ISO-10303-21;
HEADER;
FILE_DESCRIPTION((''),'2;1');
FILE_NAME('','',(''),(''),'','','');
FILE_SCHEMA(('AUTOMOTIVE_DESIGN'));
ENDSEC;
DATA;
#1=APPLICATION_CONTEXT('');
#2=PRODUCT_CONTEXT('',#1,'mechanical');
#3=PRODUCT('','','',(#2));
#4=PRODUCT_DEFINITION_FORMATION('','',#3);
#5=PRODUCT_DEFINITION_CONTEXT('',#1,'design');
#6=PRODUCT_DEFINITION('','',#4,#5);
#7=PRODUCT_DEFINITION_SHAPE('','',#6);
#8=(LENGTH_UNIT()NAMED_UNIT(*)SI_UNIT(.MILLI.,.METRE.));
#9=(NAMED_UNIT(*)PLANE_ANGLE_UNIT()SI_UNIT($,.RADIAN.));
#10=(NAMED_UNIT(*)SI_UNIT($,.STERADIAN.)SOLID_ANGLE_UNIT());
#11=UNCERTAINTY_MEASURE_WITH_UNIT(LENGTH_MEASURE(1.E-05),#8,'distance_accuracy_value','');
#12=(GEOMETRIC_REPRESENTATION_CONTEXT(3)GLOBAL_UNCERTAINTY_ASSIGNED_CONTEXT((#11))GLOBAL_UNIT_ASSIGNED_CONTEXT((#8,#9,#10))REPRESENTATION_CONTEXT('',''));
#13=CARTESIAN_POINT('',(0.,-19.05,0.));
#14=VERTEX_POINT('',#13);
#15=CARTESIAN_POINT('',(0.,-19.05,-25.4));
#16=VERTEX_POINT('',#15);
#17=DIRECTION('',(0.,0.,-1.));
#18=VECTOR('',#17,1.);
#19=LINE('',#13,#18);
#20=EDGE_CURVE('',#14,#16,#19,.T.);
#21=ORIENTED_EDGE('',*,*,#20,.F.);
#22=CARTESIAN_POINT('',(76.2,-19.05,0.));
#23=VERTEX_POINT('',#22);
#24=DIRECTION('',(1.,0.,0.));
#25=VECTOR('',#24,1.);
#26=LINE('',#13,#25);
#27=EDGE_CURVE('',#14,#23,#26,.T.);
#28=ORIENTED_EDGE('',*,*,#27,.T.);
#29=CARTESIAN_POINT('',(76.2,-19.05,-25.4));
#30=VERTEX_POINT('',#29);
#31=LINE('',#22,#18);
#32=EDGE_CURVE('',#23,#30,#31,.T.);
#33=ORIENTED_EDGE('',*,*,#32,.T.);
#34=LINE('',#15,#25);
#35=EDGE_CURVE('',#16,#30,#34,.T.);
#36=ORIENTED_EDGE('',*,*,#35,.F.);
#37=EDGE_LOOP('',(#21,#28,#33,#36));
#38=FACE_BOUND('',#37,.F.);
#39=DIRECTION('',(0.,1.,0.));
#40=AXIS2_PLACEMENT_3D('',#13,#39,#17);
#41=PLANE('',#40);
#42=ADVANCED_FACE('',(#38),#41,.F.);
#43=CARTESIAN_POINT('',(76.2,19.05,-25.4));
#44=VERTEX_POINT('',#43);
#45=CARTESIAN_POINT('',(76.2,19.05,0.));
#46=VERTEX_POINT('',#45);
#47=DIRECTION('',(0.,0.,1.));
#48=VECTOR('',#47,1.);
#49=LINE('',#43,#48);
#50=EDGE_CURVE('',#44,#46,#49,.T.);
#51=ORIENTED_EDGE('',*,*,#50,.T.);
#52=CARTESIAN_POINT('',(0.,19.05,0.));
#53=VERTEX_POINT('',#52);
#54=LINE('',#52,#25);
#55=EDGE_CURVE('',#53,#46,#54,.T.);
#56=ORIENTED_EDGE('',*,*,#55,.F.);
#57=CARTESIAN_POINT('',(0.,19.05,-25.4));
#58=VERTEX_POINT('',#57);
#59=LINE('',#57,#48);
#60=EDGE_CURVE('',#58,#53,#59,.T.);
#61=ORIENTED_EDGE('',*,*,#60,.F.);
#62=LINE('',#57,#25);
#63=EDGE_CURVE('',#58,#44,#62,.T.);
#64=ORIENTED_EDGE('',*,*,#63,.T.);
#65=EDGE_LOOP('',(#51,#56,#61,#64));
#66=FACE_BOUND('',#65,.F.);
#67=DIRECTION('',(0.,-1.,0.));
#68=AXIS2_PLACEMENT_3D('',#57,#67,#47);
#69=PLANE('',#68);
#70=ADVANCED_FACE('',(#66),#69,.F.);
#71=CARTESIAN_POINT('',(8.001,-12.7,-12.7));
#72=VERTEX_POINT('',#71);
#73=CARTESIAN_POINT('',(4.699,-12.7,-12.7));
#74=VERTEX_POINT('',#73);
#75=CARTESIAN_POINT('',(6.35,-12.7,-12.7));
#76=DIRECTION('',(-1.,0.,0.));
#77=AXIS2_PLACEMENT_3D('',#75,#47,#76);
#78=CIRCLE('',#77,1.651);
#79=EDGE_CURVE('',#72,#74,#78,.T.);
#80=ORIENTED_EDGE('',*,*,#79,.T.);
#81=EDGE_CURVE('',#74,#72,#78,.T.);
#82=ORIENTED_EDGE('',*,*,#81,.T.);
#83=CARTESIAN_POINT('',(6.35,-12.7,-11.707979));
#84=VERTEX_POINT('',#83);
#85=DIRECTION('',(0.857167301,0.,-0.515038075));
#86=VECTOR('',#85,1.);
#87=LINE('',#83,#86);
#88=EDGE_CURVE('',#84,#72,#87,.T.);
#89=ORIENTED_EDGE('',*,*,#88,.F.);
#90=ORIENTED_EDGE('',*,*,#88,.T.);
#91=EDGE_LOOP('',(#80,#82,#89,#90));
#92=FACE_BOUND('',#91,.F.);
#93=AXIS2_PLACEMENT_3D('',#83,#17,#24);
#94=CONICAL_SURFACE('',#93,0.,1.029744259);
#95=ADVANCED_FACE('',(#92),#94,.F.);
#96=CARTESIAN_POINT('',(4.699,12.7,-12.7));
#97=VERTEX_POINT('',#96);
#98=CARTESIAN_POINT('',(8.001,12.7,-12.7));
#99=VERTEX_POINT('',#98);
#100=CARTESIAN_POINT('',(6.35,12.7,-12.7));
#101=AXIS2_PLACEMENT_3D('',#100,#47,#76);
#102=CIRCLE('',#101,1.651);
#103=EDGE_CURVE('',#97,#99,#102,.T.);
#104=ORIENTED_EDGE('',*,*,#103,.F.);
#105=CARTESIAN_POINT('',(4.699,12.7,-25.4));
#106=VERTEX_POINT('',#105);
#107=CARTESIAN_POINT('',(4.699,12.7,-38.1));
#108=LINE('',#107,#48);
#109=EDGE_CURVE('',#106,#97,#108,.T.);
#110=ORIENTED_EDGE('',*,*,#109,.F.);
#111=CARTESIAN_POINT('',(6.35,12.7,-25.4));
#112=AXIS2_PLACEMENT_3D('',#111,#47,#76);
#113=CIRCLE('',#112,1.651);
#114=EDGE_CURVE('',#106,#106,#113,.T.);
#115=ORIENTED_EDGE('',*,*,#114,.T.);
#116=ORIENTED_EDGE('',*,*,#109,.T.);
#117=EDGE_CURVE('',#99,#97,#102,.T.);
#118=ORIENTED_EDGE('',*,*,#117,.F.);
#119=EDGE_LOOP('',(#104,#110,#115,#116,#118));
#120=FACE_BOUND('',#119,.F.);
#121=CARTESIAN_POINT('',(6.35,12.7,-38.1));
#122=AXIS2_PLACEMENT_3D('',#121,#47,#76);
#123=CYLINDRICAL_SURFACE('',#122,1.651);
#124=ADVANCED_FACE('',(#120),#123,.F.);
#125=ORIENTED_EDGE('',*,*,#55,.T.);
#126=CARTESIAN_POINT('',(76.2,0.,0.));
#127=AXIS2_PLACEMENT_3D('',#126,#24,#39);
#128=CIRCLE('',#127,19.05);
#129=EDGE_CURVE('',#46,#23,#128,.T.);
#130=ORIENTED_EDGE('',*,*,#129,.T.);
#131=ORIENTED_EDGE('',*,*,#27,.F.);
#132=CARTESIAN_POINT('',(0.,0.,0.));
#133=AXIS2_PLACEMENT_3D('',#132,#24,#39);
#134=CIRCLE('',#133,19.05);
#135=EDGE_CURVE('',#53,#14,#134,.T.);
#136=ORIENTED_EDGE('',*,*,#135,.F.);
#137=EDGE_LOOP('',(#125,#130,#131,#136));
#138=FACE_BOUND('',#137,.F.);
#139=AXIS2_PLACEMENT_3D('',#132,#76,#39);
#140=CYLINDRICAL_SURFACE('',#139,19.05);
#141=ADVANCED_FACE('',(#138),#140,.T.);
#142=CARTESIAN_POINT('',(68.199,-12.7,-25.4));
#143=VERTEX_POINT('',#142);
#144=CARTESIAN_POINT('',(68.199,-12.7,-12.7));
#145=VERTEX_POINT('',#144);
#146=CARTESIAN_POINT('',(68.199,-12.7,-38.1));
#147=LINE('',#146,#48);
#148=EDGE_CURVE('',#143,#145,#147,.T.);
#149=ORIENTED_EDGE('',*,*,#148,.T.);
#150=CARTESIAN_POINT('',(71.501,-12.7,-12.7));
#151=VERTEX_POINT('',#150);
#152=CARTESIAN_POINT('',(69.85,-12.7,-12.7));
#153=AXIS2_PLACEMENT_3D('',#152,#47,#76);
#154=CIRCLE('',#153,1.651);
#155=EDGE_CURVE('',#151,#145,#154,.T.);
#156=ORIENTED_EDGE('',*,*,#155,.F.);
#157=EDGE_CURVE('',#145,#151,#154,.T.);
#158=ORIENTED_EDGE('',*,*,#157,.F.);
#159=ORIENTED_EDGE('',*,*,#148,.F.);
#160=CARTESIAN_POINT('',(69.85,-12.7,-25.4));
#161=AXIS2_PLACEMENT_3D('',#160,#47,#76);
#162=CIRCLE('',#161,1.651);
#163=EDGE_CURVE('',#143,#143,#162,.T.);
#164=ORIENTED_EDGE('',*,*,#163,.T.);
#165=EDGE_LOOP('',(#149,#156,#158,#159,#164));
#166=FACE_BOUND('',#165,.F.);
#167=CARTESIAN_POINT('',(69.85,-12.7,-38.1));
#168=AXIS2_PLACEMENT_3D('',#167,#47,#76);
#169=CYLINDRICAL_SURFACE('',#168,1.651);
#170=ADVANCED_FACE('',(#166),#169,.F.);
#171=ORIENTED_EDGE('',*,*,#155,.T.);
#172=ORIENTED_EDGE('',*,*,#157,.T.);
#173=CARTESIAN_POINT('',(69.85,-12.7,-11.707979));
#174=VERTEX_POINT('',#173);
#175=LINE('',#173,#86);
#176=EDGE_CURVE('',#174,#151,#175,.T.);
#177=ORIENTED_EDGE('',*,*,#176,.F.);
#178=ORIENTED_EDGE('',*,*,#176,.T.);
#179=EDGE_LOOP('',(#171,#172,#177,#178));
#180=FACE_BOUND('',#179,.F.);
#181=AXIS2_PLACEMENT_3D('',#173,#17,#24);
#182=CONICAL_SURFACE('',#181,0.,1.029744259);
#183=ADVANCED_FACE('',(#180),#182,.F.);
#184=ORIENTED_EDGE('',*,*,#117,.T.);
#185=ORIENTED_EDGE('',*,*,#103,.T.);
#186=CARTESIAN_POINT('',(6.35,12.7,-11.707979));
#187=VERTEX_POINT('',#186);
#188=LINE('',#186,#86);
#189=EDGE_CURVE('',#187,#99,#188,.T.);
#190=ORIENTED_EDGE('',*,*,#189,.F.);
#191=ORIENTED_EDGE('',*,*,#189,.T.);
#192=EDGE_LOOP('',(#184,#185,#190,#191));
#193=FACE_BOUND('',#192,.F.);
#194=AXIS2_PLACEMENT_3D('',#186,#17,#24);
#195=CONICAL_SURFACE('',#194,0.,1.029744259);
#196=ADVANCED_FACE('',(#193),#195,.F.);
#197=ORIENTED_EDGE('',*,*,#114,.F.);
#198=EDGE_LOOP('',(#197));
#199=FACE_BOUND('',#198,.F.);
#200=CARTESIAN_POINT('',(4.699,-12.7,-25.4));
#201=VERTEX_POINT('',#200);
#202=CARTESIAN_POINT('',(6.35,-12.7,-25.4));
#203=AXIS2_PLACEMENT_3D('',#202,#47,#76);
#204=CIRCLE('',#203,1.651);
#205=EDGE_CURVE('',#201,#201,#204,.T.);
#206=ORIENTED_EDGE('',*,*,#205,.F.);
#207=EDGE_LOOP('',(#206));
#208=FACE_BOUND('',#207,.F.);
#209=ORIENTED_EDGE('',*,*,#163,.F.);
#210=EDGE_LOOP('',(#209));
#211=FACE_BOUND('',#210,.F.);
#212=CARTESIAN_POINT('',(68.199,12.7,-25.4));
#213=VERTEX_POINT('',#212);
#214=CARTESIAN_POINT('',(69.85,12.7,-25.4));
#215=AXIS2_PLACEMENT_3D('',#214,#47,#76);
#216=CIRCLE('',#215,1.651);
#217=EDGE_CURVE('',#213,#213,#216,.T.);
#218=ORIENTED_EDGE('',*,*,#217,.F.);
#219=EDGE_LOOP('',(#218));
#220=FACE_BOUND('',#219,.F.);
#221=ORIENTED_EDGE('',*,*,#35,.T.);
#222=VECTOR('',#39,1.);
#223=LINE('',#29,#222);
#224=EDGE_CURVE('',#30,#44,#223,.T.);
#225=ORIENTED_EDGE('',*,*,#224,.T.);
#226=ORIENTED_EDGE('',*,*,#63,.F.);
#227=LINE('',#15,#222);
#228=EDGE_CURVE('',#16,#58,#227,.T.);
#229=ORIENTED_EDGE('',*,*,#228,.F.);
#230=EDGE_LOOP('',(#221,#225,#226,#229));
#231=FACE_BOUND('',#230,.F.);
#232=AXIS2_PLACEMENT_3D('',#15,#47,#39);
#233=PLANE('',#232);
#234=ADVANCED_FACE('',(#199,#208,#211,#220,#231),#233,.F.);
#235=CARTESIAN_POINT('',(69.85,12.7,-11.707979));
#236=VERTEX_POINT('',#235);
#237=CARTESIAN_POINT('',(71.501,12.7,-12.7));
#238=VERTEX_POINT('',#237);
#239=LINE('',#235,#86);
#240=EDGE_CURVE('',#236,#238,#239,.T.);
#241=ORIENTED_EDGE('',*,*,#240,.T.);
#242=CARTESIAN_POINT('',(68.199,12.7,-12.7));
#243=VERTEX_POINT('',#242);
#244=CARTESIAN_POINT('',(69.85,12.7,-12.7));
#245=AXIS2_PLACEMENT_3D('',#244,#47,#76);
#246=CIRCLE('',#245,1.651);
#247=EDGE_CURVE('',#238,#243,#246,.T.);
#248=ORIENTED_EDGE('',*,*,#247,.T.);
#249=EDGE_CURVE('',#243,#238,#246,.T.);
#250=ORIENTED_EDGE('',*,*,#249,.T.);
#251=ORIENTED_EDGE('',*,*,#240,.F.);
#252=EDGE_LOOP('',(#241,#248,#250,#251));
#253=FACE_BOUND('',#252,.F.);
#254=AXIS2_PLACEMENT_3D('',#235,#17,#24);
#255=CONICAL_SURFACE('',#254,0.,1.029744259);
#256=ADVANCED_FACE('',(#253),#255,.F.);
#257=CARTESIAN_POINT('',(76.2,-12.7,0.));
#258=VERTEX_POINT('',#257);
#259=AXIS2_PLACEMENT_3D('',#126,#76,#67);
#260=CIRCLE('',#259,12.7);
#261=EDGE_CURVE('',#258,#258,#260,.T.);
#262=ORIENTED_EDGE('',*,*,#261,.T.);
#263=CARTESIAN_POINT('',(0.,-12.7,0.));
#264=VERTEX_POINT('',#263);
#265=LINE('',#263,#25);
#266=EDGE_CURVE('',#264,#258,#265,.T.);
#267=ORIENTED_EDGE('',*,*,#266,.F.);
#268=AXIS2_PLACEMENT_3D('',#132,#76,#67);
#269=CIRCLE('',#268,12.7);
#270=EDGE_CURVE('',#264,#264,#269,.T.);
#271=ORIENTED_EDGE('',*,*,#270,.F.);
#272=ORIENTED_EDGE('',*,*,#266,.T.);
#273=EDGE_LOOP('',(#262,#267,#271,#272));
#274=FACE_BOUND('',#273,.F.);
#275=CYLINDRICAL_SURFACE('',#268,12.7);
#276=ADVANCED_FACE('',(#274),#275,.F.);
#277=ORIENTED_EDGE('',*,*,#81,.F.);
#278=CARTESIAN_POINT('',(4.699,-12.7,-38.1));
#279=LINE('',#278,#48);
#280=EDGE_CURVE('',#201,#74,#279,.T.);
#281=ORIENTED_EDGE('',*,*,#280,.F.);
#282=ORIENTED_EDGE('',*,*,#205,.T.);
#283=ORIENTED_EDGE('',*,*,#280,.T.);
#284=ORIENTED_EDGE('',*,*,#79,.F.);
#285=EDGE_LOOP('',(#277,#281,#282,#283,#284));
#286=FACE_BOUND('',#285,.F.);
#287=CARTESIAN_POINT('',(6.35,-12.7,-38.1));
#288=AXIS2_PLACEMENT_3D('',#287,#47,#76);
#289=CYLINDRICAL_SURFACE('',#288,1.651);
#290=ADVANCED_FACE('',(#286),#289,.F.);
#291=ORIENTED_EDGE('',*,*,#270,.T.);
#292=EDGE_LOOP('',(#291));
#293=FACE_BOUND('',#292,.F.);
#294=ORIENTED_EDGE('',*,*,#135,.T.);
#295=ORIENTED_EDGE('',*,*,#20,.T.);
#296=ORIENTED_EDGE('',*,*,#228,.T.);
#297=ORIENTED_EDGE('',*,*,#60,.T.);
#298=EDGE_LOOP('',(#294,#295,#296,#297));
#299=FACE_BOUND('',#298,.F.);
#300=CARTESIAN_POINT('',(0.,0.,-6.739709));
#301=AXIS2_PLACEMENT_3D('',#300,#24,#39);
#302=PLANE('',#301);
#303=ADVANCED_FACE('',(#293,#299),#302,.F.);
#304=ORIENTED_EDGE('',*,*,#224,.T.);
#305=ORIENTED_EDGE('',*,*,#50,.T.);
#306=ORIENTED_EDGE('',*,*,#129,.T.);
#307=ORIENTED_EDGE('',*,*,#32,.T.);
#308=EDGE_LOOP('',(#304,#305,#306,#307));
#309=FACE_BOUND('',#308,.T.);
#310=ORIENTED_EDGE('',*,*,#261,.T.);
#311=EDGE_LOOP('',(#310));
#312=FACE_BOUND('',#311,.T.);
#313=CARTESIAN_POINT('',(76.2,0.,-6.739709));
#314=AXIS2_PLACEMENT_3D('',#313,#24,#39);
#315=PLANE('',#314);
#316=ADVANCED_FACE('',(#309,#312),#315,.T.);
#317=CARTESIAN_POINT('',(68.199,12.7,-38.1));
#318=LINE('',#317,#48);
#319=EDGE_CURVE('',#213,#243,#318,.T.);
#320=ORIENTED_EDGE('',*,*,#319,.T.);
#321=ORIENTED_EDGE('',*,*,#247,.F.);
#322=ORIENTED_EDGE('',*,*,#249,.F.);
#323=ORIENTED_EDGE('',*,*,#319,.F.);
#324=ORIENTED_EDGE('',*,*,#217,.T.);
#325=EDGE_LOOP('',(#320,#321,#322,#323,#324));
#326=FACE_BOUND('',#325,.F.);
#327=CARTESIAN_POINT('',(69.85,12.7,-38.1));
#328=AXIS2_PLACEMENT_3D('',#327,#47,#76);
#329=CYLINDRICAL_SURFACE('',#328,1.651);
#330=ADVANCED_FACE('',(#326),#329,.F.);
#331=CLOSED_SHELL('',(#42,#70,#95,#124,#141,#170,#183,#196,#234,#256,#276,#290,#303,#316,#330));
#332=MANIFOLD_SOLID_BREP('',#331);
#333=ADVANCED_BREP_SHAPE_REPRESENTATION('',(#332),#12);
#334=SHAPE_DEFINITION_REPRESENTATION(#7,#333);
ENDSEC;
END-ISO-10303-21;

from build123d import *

# Parameters (mm, degrees)
F1_DEPTH = 76.2
F3_D     = 3.302
F3_DEPTH = 12.7
F3_TIP   = 0.992020882


with BuildPart() as f1:
    # F0 (on Right) → F1 (new body)
    with BuildSketch(Plane.YZ):
        with BuildLine():
            Line((-19.05, 0), (-19.05, -25.4))
            Line((-19.05, -25.4), (19.05, -25.4))
            Line((19.05, -25.4), (19.05, 0))
            ThreePointArc((19.05, 0), (0, 19.05), (-19.05, 0))
        make_face()
        with BuildLine():
            ThreePointArc((12.7, 0), (0, -12.7), (-12.7, 0))
            ThreePointArc((-12.7, 0), (0, 12.7), (12.7, 0))
        make_face(mode=Mode.SUBTRACT)
    extrude(amount=F1_DEPTH)

    # F3
    with Locations(Plane(origin=(0, 0, -25.4), x_dir=(1, 0, 0), z_dir=(0, 0, -1))):
        with Locations((6.35, 12.7), (6.35, -12.7), (69.85, -12.7), (69.85, 12.7)):
            Hole(F3_D / 2, depth=F3_DEPTH)
            with Locations((0, 0, -(F3_DEPTH + F3_TIP / 2))):  # 118° drill point
                Cone(0, F3_D / 2, F3_TIP, mode=Mode.SUBTRACT)


solid = f1.part
